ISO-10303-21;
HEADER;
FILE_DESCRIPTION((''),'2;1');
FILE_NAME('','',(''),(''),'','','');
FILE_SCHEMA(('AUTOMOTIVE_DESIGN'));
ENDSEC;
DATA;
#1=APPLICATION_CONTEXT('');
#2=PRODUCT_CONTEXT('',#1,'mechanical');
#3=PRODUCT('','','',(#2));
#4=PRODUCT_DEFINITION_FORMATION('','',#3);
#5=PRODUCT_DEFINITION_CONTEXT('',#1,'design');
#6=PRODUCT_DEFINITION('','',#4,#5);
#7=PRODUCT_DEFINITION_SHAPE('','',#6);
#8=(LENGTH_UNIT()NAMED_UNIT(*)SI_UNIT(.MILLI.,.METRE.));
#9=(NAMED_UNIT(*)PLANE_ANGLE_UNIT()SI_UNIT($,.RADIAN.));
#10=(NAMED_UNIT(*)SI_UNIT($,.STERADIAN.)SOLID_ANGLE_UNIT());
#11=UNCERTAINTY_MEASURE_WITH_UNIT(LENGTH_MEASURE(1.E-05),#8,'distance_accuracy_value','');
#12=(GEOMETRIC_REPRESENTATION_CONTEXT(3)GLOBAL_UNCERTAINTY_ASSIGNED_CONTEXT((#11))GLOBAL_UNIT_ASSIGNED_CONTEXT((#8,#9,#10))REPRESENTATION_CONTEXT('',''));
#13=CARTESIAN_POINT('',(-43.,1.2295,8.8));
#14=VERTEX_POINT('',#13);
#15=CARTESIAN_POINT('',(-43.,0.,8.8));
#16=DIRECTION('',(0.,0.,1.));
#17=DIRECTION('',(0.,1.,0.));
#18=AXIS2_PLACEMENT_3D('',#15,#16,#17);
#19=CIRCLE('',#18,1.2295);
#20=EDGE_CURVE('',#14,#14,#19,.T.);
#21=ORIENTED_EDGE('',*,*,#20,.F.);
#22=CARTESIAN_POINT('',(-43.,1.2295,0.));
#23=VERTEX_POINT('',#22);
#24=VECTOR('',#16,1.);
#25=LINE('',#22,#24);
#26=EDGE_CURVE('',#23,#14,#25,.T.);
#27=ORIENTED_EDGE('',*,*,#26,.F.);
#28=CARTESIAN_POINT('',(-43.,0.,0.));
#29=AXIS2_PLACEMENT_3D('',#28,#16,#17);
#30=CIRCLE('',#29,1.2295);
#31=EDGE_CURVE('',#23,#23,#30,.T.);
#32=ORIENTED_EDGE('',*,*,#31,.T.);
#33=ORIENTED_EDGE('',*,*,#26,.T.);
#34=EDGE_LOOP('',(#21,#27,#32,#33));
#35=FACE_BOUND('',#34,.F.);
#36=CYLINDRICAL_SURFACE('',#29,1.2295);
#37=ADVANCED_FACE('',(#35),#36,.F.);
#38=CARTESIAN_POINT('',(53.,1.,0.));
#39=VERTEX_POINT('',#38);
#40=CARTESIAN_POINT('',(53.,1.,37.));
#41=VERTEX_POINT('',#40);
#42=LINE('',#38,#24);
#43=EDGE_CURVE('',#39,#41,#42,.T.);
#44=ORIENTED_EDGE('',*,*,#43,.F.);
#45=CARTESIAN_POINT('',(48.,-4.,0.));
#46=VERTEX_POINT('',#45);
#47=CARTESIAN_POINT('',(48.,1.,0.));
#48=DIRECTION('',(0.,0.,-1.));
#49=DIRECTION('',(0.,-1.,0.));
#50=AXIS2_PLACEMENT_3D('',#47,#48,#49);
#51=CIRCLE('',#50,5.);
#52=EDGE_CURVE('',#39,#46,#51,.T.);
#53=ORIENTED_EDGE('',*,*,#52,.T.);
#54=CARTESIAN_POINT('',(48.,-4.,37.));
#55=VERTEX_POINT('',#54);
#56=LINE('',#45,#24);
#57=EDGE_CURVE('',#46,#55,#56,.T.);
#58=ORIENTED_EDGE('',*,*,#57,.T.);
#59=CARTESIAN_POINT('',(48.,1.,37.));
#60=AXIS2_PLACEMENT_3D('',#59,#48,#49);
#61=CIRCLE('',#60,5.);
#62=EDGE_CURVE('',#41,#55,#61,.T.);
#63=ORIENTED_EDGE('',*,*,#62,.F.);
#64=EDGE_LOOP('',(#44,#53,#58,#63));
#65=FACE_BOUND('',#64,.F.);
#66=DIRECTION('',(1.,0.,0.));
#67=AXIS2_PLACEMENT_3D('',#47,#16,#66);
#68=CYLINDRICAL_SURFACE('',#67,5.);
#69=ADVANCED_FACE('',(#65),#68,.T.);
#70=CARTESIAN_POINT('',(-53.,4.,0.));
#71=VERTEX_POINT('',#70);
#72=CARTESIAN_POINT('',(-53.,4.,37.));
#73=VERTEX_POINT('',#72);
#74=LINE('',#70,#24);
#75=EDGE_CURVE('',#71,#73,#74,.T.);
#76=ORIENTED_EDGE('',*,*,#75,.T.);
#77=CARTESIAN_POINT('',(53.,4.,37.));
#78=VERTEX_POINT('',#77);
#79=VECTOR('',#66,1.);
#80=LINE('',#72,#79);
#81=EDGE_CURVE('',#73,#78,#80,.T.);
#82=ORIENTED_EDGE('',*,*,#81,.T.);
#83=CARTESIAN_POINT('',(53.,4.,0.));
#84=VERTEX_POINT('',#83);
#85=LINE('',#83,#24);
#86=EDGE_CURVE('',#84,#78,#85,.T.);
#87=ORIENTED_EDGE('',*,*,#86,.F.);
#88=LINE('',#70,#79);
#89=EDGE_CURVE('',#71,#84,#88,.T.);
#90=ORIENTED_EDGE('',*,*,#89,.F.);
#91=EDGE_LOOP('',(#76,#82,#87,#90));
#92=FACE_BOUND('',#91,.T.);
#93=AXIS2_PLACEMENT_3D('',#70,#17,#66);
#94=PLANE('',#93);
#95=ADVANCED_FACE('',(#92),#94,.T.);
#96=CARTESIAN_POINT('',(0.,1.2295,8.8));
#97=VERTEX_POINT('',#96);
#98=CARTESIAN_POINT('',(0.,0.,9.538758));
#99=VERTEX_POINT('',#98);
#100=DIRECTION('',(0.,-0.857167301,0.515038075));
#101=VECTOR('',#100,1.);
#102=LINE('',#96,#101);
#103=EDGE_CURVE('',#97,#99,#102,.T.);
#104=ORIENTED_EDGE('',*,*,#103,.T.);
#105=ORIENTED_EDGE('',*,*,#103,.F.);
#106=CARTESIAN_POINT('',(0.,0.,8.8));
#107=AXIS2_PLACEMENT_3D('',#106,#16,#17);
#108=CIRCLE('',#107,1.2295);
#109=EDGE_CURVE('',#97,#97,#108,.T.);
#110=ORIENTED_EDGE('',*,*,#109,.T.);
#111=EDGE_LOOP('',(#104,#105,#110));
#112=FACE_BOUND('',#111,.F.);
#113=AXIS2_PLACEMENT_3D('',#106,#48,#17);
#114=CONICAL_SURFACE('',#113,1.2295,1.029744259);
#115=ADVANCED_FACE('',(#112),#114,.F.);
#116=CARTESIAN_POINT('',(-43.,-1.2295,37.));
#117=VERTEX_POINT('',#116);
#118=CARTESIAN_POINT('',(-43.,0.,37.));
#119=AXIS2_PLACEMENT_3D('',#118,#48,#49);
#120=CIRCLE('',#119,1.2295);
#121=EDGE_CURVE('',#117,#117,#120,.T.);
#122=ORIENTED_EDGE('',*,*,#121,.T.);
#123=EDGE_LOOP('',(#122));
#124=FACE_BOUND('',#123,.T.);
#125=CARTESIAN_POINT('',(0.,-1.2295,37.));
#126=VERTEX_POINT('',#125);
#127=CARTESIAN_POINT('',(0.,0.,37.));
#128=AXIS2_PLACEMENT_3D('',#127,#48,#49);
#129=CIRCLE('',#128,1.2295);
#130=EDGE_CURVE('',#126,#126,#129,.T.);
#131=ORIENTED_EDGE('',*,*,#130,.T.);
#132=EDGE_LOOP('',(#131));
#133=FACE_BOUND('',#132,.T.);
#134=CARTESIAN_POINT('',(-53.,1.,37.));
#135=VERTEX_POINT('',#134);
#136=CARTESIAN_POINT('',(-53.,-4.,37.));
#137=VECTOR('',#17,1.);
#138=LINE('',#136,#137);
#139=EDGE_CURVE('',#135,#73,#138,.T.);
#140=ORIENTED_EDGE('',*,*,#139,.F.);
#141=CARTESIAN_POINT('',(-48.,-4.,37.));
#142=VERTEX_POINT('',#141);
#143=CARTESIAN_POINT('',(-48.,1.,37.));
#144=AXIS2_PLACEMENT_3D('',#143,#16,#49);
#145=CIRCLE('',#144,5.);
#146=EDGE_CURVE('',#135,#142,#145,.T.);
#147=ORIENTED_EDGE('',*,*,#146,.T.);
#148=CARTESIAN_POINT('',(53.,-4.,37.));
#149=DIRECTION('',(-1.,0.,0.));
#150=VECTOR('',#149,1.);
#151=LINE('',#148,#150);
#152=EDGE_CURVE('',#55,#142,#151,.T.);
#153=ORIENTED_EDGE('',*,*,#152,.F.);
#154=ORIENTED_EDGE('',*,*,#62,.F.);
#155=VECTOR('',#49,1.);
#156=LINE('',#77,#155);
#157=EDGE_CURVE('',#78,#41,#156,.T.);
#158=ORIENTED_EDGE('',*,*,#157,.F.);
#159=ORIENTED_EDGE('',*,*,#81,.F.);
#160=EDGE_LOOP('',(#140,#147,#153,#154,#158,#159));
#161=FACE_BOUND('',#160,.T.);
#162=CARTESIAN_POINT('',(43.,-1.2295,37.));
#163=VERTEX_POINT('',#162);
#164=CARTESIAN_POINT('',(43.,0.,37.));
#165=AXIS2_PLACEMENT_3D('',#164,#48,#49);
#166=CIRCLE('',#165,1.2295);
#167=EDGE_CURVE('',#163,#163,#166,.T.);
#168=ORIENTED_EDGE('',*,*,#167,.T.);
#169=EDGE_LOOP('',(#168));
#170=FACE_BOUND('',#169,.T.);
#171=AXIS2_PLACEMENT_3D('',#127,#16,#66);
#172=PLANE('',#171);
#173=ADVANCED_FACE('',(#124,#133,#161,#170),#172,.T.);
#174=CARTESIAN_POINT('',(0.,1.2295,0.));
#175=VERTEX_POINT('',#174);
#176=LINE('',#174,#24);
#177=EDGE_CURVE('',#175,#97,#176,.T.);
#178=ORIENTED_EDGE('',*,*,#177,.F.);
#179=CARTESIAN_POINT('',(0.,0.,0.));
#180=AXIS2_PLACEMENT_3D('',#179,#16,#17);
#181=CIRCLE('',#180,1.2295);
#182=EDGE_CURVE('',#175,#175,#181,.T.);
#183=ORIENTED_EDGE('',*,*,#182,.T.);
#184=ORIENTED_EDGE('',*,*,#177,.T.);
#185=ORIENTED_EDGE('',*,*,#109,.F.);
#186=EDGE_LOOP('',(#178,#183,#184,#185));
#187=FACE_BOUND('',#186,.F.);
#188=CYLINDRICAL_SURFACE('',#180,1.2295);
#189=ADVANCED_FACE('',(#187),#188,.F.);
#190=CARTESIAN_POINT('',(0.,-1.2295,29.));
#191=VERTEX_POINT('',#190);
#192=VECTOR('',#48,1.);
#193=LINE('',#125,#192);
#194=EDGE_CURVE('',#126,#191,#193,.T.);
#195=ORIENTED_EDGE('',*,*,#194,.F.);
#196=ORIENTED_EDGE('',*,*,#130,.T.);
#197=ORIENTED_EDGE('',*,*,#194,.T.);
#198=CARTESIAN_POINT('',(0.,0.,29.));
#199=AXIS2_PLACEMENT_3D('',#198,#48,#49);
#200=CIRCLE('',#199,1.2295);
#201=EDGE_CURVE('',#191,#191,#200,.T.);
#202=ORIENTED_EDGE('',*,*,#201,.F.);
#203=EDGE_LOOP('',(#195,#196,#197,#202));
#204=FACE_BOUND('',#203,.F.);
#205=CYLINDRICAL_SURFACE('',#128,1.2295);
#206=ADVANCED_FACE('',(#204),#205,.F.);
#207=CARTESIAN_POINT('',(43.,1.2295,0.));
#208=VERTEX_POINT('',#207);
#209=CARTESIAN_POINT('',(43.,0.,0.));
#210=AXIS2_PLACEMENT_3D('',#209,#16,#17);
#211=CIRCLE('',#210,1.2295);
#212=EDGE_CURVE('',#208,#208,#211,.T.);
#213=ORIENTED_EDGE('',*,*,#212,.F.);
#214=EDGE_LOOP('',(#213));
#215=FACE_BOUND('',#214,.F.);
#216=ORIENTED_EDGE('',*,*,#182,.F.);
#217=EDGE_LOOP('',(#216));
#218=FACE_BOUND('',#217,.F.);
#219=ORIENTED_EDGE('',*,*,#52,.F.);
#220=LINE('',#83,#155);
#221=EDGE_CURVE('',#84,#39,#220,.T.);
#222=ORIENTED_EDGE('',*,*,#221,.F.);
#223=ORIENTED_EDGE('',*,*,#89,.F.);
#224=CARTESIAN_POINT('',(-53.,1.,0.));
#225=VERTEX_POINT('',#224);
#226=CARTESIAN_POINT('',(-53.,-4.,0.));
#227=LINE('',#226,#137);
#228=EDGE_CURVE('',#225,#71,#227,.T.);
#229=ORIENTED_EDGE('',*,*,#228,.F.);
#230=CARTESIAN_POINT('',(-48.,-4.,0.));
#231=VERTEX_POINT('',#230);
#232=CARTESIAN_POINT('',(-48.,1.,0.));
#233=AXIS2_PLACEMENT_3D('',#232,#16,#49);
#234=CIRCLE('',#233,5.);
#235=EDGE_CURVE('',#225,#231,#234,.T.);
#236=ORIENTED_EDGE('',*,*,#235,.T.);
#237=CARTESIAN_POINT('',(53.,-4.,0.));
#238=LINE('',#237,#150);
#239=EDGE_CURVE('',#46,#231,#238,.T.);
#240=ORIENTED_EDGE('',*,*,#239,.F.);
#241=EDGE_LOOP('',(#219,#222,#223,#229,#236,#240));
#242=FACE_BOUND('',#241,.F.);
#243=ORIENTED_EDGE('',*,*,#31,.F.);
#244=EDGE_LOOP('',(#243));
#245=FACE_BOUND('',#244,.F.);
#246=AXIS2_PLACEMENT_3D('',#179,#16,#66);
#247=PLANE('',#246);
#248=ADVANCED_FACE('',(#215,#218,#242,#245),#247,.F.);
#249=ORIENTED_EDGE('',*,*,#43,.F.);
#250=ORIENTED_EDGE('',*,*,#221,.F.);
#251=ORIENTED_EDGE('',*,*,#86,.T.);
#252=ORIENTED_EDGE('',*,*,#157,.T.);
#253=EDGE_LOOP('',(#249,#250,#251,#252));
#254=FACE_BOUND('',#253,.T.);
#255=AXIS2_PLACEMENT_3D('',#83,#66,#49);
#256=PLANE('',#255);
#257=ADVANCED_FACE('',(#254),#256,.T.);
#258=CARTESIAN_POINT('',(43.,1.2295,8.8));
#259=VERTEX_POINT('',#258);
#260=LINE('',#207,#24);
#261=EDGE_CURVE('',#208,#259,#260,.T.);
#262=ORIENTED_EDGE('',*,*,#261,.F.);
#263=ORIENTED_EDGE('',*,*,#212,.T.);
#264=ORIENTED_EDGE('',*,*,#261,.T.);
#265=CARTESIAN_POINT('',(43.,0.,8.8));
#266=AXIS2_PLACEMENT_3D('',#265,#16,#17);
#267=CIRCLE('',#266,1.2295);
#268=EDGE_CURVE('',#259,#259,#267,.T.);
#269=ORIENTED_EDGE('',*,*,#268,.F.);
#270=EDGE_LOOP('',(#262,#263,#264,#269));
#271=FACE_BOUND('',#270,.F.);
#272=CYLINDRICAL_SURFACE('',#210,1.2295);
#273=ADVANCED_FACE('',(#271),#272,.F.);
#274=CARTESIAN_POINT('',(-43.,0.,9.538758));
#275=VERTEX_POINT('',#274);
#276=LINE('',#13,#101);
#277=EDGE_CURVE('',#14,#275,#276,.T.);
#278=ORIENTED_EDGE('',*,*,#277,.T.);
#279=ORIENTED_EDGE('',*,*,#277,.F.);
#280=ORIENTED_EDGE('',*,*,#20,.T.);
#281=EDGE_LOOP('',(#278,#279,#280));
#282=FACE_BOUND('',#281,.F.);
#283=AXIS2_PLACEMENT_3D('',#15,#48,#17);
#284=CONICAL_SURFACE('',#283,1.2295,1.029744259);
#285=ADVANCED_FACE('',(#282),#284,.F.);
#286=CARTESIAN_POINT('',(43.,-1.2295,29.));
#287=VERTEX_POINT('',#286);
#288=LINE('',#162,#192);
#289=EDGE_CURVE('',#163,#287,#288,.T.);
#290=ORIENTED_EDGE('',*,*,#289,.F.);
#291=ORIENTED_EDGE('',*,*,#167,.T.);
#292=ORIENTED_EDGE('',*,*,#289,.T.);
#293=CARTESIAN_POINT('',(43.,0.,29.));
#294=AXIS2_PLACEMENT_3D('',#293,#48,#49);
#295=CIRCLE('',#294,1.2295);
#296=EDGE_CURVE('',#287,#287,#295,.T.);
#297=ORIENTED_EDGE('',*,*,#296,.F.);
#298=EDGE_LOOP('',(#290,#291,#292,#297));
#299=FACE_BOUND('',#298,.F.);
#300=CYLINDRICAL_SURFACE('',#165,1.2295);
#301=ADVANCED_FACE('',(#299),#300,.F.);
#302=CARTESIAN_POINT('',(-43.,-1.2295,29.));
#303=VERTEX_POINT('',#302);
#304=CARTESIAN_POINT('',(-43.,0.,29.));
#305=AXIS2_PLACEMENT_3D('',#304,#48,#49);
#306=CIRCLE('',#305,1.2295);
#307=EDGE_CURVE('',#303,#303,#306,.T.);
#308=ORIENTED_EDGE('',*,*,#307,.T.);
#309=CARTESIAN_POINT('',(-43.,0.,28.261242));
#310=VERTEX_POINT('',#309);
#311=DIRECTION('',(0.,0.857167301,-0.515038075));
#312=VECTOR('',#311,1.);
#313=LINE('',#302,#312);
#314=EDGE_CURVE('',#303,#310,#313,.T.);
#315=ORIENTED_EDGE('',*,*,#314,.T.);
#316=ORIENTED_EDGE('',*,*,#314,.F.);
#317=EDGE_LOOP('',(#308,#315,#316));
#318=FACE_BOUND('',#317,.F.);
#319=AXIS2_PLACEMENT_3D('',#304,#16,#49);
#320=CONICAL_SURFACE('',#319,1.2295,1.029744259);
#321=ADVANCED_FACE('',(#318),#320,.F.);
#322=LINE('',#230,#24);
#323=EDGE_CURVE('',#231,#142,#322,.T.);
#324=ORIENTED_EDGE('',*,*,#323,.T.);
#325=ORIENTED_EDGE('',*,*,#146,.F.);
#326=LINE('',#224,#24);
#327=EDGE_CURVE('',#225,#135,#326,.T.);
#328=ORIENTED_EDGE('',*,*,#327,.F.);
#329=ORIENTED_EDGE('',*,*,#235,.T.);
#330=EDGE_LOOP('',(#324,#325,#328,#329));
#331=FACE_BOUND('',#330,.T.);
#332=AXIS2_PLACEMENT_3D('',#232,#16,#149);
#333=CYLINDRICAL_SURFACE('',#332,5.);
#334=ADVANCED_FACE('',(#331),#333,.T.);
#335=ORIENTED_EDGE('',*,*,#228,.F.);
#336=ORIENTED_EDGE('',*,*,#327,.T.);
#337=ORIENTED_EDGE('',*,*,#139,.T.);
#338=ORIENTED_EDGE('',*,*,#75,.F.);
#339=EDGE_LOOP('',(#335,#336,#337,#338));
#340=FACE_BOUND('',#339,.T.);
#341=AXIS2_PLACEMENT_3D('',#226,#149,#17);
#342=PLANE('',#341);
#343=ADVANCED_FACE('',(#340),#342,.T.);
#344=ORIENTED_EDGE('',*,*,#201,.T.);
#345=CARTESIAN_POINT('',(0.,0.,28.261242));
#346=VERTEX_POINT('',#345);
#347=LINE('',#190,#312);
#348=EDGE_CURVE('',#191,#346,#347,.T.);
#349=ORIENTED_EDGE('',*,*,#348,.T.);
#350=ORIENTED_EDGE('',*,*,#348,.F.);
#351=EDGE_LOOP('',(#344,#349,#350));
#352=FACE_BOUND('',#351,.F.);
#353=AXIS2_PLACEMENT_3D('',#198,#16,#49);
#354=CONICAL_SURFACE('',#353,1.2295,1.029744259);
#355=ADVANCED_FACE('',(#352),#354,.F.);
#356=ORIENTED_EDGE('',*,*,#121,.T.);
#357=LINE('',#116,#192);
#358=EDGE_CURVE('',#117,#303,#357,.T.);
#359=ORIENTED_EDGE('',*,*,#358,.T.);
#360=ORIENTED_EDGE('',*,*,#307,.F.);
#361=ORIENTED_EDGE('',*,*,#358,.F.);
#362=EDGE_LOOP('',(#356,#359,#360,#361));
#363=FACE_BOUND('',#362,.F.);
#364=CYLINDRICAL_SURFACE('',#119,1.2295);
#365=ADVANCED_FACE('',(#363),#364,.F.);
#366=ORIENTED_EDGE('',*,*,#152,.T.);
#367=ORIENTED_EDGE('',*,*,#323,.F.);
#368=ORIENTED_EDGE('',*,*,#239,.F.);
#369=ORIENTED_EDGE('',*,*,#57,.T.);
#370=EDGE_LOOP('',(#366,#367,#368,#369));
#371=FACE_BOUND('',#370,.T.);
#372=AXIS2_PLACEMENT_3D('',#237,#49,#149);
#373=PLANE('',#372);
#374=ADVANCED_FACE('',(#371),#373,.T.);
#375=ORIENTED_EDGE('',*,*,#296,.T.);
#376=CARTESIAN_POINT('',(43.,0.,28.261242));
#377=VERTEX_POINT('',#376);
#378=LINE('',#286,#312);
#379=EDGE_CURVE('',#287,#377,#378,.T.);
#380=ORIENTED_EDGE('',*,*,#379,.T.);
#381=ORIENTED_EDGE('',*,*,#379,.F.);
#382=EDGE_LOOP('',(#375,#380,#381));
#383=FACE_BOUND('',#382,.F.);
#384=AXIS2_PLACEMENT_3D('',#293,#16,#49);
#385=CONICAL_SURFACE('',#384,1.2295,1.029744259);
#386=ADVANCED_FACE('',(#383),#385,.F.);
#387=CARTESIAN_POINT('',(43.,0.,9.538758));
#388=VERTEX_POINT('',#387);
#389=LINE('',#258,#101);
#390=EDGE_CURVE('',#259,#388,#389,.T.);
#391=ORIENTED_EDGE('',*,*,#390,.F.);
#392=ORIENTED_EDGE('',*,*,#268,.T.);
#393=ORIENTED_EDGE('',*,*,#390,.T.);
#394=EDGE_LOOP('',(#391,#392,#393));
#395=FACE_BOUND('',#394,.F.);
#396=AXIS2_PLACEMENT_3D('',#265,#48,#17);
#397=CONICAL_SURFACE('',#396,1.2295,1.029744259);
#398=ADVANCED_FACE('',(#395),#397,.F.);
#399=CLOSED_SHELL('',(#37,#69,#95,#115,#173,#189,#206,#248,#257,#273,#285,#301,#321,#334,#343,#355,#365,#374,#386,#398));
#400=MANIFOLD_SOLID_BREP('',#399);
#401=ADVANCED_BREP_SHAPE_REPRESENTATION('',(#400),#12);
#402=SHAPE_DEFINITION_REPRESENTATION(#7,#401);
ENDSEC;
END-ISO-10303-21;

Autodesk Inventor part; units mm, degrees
ref_plane "YZ Plane" through (0, 0, 0) normal (1, 0, 0) x (0, 1, 0)
ref_plane "XZ Plane" through (0, 0, 0) normal (0, 1, 0) x (-1, 0, 0)
ref_plane "XY Plane" through (0, 0, 0) normal (0, 0, 1) x (1, 0, 0)
sketch "Sketch1" plane through (0, 0, 0) normal (0, 0, 1) x (1, 0, 0)
  line L0 (-53, 4) -> (53, 4)
  line L1 (53, 4) -> (53, -4)
  line L2 (53, -4) -> (-53, -4)
  line L3 (-53, -4) -> (-53, 4)
  line L4 (-53, 4) -> (53, -4) construction
  line L5 (53, 4) -> (-53, -4) construction
  point P0 (0, 0)
  dimension "d0" = 106
  dimension "d1" = 8
extrude "Extrusion1" add sketch "Sketch1" along normal blind 37
sketch "Sketch2" plane through (0, 0, 37) normal (0, 0, 1) x (1, 0, 0)
  line L0 (-53, 4) -> (-53, -4) projected
  line L1 (53, -4) -> (53, 4) projected
  point P0 (0, 0)
  point P1 (-43, 0)
  point P2 (0, 0)
  point P3 (43, 0)
  dimension "d4" = 10
  dimension "d5" = 10
hole "Hole1" at (-43, 0, 37) at (0, 0, 37) at (43, 0, 37) direction (0, 0, -1) diameter 2.459 depth 8 tip angle 118 thread size "M3x0.5" class "6H" standard "ISO Metric profile"
sketch "Sketch3" plane through (0, 0, 0) normal (0, 0, -1) x (-1, 0, 0)
  circle A0 centre (43, 0) radius 1.2295 projected
  circle A1 centre (0, 0) radius 1.2295 projected
  circle A2 centre (-43, 0) radius 1.2295 projected
hole "Hole2" at (-43, 0, 0) at (0, 0, 0) at (43, 0, 0) direction (0, 0, 1) diameter 2.459 depth 8.8 tip angle 118 thread size "M3x0.5" class "6H" standard "ISO Metric profile"
fillet "Fillet1" radius 5 2 edges at (-53, -4, 18.5) (53, -4, 18.5)
sketch "Sketch4" plane through (0, 0, 37) normal (0, 0, 1) x (1, 0, 0)
  point P0 (0, 0)
  point P1 (-25, 0)
  point P2 (25, 0)
  dimension "d21" = 25
  dimension "d22" = 25
hole "Hole3" [suppressed]
sketch "Sketch5" plane through (0, 0, 0) normal (0, 0, -1) x (-1, 0, 0)
  circle A0 centre (25, 0) radius 1.5 projected
  circle A1 centre (-25, 0) radius 1.5 projected
  point P0 (0, 0)
hole "Hole4" [suppressed]
properties part number "side 2" material "Aluminum 6061"
